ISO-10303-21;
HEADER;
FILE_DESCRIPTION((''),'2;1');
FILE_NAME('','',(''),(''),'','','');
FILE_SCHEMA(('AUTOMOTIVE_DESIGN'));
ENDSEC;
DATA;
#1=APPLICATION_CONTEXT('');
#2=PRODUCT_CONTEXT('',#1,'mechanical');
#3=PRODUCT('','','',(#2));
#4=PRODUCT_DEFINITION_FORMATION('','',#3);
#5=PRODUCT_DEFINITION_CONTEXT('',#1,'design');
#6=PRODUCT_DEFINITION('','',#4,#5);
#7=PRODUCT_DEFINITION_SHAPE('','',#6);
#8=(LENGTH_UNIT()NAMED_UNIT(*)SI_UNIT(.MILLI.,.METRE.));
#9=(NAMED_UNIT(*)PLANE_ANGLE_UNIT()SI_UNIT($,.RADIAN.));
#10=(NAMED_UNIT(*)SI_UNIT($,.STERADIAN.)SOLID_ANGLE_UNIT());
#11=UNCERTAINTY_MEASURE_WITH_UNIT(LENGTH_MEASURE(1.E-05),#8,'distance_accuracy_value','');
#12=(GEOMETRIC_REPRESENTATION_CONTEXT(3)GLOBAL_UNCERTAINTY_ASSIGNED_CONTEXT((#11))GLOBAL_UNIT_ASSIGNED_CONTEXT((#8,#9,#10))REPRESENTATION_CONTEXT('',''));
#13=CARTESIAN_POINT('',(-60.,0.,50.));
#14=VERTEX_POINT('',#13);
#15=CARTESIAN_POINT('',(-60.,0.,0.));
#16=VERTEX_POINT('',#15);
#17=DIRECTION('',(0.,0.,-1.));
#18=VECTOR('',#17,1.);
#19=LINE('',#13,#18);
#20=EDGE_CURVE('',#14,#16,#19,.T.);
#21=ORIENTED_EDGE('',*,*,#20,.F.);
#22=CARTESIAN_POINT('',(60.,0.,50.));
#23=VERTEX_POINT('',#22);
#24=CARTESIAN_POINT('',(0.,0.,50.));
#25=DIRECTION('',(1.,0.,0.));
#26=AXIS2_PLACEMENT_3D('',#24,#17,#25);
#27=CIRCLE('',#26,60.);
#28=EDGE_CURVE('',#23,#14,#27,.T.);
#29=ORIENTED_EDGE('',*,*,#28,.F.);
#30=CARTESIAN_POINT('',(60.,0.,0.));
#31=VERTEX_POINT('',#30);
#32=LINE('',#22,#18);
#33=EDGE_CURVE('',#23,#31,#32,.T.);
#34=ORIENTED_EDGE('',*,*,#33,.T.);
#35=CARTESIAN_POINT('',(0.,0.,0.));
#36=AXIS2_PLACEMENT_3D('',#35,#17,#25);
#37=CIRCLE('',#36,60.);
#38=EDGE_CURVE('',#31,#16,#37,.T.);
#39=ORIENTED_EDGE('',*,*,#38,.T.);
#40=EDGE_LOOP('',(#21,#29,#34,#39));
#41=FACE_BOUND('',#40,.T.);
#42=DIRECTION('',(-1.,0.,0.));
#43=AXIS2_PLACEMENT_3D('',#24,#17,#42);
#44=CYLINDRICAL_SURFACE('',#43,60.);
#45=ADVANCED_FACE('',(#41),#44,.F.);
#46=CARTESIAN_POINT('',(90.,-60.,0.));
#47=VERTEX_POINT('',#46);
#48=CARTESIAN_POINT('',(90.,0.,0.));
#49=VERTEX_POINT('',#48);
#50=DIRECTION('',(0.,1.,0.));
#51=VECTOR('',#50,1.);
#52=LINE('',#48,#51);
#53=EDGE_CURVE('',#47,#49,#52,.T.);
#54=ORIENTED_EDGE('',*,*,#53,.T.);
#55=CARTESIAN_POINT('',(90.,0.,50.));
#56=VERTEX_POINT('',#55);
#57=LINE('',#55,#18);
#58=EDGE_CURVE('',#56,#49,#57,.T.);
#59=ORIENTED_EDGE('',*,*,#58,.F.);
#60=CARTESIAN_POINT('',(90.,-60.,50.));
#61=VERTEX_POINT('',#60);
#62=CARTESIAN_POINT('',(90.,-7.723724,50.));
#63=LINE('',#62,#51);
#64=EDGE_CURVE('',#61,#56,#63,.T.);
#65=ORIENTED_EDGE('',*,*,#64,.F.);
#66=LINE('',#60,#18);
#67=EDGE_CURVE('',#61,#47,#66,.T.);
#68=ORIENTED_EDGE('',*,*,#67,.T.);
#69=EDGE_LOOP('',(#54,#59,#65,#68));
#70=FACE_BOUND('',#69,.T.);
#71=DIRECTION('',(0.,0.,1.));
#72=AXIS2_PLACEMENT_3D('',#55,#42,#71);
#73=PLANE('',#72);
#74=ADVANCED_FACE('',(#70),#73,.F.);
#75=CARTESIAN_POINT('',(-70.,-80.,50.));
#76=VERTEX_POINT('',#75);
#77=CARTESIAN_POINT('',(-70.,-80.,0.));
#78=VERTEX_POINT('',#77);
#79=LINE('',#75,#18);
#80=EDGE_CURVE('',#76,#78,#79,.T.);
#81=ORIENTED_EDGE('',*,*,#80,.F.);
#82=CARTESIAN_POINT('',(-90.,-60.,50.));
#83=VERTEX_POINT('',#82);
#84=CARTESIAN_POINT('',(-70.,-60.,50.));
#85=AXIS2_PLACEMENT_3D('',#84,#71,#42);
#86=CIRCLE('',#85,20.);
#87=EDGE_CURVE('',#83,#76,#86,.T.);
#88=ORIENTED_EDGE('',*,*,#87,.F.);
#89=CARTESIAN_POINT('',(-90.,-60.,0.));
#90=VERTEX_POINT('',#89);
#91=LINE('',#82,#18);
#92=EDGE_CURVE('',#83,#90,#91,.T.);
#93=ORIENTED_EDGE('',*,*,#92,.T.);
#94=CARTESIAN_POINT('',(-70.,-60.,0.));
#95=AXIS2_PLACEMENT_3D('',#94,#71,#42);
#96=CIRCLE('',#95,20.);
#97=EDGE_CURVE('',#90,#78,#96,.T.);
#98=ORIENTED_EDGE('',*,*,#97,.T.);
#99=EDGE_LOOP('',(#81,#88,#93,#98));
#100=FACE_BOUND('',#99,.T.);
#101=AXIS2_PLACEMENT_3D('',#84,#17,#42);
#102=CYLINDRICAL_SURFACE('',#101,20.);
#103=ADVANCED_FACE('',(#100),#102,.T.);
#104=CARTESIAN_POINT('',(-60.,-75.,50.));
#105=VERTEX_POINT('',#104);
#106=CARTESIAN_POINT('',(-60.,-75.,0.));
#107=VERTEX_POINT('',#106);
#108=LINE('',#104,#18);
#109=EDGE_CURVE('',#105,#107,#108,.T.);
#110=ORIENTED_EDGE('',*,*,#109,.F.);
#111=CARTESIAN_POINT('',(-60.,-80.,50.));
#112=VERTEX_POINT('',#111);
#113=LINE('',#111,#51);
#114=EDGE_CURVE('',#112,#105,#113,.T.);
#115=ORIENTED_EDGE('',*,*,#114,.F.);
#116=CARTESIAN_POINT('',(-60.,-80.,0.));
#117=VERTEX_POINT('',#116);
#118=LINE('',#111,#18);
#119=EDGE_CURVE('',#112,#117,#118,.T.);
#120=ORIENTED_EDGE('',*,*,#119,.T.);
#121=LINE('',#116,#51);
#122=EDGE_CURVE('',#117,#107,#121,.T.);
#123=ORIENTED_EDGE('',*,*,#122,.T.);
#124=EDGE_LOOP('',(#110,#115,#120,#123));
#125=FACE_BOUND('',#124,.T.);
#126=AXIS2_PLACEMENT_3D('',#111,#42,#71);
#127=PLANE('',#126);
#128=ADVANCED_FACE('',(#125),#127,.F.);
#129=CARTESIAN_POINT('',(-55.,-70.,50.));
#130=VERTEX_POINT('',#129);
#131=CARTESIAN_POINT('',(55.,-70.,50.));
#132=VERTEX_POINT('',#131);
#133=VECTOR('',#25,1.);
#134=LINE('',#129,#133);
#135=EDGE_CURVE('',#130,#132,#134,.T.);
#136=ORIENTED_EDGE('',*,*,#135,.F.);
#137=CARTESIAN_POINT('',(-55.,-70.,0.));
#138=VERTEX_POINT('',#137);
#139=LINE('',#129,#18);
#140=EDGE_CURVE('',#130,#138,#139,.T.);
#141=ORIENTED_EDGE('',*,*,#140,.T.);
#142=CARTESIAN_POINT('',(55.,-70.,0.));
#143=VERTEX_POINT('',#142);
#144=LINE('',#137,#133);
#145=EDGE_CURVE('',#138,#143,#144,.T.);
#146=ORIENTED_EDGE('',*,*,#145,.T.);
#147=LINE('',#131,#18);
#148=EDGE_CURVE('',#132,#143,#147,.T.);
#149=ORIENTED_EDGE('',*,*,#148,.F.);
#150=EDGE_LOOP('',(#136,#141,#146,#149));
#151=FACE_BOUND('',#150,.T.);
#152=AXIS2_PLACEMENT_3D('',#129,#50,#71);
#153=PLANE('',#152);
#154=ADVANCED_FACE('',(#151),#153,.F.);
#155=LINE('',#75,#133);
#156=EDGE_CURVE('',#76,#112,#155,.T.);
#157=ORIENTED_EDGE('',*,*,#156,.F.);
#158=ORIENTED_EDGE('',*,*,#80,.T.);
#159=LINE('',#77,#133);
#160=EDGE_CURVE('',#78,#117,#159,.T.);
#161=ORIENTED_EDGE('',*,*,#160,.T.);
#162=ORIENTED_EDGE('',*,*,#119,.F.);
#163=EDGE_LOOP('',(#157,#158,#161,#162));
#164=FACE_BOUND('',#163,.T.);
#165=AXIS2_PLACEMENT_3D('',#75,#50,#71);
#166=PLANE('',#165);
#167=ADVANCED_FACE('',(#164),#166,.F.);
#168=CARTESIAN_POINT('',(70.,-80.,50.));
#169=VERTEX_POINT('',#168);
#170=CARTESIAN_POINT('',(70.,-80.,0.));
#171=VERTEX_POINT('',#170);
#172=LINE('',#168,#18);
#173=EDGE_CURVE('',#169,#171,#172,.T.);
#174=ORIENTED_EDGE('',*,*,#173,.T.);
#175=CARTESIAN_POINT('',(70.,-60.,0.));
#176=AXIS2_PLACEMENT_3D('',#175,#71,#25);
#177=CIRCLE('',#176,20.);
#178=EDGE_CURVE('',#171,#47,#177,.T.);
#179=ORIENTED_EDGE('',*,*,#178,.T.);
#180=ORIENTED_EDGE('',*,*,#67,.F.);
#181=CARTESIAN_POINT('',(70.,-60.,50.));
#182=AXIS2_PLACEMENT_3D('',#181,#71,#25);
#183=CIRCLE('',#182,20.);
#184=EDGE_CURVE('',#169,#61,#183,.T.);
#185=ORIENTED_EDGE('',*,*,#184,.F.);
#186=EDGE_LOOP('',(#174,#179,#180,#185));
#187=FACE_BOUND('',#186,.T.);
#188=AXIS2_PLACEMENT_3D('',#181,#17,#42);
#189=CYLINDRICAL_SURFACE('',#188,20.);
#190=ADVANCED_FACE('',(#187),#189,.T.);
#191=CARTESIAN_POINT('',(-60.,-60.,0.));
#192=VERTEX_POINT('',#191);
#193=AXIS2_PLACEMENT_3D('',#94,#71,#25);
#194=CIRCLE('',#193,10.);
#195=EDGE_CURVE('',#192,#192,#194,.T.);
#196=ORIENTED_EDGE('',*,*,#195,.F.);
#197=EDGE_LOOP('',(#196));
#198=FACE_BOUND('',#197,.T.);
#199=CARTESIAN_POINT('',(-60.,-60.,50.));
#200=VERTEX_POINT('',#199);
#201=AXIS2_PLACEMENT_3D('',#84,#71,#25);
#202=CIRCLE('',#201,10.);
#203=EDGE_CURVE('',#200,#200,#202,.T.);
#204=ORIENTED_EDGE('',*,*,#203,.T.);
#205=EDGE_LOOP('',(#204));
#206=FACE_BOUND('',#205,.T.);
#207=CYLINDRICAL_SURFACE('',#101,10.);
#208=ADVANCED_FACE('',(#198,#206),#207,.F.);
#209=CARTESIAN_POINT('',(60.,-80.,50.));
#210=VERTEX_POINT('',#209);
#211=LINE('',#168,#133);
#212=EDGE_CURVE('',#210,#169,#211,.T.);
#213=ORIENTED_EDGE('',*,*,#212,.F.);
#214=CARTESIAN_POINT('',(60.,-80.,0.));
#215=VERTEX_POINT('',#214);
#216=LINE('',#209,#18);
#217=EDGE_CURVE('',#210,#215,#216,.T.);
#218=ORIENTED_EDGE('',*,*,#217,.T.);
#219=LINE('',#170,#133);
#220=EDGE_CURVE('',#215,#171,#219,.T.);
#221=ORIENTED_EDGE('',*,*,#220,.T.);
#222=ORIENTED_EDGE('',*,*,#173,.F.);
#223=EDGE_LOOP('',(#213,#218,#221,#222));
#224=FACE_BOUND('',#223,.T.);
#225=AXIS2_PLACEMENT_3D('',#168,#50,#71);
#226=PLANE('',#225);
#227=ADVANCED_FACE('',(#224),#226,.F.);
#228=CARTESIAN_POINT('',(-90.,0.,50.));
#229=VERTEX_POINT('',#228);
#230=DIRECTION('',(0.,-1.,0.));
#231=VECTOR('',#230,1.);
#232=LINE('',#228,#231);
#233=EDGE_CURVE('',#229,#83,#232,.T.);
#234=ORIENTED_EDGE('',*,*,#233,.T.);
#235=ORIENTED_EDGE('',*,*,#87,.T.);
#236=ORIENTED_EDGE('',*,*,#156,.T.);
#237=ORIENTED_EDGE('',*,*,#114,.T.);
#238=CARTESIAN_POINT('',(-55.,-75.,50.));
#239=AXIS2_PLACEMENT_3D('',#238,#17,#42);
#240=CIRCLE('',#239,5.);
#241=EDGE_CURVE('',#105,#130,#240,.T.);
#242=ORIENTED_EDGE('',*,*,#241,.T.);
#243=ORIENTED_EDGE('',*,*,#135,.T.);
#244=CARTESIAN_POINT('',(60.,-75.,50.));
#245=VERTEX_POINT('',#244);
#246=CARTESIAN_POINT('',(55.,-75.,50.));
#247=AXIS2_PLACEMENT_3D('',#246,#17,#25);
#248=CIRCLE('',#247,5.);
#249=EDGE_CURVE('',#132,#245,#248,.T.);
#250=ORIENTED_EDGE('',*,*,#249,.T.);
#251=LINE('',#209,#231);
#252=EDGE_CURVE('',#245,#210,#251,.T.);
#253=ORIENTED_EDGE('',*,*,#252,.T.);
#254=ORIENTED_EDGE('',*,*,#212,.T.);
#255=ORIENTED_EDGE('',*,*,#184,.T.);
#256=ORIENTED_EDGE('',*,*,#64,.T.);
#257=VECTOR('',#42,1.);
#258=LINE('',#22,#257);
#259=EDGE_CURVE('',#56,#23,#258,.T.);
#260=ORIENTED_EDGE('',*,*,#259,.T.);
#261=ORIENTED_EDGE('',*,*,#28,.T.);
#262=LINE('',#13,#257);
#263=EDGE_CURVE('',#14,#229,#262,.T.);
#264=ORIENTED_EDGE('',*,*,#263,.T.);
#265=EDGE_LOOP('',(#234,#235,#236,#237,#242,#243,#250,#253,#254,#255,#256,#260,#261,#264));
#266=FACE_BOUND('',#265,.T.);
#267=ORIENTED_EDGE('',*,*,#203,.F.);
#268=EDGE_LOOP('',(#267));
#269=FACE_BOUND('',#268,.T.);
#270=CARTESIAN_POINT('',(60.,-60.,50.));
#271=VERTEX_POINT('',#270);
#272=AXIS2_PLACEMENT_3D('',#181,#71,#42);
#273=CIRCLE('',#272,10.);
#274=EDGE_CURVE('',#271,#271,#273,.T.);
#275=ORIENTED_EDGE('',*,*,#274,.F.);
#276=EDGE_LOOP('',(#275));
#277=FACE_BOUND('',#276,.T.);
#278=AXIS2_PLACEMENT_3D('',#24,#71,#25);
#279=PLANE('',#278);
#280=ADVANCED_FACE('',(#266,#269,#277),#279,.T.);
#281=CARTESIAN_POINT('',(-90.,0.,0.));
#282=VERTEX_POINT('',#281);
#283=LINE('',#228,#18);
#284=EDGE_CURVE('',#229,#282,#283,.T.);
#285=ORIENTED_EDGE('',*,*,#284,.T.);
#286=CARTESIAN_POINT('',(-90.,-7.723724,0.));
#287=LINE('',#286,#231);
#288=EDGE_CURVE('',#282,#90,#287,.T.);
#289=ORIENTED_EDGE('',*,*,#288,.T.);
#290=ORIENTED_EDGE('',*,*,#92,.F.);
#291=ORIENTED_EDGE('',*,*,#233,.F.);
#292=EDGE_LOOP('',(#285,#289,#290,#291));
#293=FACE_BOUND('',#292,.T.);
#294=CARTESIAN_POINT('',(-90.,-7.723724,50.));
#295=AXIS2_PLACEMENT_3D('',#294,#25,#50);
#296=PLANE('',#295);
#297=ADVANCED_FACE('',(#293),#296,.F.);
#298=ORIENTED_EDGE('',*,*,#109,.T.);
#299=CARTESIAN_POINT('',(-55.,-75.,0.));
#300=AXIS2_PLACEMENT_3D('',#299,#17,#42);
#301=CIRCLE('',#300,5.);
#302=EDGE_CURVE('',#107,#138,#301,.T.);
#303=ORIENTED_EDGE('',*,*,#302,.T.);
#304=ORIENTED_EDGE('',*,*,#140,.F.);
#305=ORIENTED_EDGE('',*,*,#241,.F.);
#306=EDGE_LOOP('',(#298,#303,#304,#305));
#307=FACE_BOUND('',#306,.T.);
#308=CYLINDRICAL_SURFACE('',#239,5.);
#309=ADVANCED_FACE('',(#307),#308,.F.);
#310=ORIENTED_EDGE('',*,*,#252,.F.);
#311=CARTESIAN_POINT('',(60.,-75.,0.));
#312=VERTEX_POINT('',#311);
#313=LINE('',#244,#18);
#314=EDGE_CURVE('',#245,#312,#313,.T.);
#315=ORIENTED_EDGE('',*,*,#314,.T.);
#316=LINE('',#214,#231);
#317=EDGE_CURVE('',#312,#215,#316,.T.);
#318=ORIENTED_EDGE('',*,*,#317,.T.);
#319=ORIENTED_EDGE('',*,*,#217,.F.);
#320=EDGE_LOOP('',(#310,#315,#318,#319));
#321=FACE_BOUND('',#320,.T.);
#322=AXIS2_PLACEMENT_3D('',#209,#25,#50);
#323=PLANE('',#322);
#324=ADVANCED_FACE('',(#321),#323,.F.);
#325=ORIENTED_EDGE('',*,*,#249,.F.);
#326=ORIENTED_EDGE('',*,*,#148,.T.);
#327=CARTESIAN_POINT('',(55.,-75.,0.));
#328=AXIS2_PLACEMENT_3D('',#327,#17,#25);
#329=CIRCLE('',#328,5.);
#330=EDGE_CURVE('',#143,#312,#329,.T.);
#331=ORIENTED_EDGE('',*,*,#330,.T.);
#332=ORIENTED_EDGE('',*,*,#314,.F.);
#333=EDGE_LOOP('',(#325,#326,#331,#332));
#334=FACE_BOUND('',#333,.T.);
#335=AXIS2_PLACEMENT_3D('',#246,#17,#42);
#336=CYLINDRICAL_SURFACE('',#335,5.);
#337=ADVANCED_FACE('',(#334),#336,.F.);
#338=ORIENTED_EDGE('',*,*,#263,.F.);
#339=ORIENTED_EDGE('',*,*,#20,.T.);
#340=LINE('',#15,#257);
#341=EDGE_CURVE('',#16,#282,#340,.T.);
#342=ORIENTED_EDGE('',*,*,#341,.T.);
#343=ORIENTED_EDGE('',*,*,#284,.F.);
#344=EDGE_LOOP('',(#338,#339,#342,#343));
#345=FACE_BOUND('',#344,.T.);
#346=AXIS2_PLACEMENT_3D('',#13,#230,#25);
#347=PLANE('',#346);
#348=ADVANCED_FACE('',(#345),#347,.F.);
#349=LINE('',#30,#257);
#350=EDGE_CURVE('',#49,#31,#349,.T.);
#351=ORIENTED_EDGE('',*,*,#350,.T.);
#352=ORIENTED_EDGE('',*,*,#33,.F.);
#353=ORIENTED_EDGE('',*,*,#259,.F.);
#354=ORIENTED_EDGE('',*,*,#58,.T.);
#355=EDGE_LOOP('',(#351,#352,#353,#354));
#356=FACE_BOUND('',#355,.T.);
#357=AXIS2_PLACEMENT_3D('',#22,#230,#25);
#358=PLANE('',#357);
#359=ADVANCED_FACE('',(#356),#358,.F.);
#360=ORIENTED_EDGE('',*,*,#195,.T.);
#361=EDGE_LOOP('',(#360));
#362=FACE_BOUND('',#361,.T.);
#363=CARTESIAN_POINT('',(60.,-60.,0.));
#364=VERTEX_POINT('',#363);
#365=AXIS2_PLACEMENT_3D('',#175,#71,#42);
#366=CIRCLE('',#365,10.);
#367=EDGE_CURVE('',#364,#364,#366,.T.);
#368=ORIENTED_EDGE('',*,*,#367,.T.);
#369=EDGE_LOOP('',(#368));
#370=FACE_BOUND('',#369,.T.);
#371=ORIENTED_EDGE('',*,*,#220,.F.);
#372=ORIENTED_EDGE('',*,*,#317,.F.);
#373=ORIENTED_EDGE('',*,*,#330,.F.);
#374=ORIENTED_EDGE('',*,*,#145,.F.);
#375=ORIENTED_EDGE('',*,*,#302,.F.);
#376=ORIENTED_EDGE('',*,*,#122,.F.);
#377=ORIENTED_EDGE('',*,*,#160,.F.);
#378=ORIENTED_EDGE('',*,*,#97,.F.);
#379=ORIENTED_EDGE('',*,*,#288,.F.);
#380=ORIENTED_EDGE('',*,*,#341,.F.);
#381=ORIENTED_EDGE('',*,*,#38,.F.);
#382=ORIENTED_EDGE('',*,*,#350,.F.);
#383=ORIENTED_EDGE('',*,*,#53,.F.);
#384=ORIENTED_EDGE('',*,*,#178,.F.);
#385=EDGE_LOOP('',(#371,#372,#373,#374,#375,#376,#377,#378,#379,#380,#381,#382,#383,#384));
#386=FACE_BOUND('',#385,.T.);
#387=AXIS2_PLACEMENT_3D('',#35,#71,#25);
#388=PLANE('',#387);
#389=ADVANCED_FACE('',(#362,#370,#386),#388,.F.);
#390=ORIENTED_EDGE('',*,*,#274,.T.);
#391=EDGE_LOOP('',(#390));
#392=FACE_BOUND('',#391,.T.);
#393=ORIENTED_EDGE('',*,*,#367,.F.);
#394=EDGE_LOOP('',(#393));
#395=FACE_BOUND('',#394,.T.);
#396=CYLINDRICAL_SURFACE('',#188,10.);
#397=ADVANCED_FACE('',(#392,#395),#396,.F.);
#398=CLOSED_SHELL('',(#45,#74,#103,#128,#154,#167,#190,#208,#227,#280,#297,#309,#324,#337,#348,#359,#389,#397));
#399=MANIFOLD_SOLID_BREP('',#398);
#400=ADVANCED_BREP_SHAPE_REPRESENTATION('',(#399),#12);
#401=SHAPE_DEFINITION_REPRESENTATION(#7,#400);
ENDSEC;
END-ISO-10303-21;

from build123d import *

# Parameters (mm, degrees)
SKETCH2_R           = 10
BOSS_EXTRUDE1_DEPTH = 50


with BuildPart() as part:
    # Sketch2 → Boss-Extrude1 (new body)
    with BuildSketch(Plane.XY):
        with BuildLine():
            Line((-60, 0), (-90, 0))
            Line((-90, 0), (-90, -7.723724189))
            Line((-90, -7.723724189), (-90, -60))
            ThreePointArc((-90, -60), (-84.142135624, -74.142135624), (-70, -80))
            Line((-70, -80), (-60, -80))
            Line((-60, -80), (-60, -75))
            ThreePointArc((-60, -75), (-58.535533906, -71.464466094), (-55, -70))
            Line((-55, -70), (55, -70))
            ThreePointArc((55, -70), (58.535533906, -71.464466094), (60, -75))
            Line((60, -75), (60, -80))
            Line((60, -80), (70, -80))
            ThreePointArc((70, -80), (84.142135624, -74.142135624), (90, -60))
            Line((90, -60), (90, -7.723724189))
            Line((90, -7.723724189), (90, 0))
            Line((90, 0), (60, 0))
            ThreePointArc((60, 0), (0, -60), (-60, 0))
        make_face()
        with Locations((-70, -60)):
            Circle(SKETCH2_R, mode=Mode.SUBTRACT)
        with Locations(Location((70, -60, 0), (0, 0, 180))):
            Circle(SKETCH2_R, mode=Mode.SUBTRACT)
    extrude(amount=BOSS_EXTRUDE1_DEPTH)


solid = part.part
